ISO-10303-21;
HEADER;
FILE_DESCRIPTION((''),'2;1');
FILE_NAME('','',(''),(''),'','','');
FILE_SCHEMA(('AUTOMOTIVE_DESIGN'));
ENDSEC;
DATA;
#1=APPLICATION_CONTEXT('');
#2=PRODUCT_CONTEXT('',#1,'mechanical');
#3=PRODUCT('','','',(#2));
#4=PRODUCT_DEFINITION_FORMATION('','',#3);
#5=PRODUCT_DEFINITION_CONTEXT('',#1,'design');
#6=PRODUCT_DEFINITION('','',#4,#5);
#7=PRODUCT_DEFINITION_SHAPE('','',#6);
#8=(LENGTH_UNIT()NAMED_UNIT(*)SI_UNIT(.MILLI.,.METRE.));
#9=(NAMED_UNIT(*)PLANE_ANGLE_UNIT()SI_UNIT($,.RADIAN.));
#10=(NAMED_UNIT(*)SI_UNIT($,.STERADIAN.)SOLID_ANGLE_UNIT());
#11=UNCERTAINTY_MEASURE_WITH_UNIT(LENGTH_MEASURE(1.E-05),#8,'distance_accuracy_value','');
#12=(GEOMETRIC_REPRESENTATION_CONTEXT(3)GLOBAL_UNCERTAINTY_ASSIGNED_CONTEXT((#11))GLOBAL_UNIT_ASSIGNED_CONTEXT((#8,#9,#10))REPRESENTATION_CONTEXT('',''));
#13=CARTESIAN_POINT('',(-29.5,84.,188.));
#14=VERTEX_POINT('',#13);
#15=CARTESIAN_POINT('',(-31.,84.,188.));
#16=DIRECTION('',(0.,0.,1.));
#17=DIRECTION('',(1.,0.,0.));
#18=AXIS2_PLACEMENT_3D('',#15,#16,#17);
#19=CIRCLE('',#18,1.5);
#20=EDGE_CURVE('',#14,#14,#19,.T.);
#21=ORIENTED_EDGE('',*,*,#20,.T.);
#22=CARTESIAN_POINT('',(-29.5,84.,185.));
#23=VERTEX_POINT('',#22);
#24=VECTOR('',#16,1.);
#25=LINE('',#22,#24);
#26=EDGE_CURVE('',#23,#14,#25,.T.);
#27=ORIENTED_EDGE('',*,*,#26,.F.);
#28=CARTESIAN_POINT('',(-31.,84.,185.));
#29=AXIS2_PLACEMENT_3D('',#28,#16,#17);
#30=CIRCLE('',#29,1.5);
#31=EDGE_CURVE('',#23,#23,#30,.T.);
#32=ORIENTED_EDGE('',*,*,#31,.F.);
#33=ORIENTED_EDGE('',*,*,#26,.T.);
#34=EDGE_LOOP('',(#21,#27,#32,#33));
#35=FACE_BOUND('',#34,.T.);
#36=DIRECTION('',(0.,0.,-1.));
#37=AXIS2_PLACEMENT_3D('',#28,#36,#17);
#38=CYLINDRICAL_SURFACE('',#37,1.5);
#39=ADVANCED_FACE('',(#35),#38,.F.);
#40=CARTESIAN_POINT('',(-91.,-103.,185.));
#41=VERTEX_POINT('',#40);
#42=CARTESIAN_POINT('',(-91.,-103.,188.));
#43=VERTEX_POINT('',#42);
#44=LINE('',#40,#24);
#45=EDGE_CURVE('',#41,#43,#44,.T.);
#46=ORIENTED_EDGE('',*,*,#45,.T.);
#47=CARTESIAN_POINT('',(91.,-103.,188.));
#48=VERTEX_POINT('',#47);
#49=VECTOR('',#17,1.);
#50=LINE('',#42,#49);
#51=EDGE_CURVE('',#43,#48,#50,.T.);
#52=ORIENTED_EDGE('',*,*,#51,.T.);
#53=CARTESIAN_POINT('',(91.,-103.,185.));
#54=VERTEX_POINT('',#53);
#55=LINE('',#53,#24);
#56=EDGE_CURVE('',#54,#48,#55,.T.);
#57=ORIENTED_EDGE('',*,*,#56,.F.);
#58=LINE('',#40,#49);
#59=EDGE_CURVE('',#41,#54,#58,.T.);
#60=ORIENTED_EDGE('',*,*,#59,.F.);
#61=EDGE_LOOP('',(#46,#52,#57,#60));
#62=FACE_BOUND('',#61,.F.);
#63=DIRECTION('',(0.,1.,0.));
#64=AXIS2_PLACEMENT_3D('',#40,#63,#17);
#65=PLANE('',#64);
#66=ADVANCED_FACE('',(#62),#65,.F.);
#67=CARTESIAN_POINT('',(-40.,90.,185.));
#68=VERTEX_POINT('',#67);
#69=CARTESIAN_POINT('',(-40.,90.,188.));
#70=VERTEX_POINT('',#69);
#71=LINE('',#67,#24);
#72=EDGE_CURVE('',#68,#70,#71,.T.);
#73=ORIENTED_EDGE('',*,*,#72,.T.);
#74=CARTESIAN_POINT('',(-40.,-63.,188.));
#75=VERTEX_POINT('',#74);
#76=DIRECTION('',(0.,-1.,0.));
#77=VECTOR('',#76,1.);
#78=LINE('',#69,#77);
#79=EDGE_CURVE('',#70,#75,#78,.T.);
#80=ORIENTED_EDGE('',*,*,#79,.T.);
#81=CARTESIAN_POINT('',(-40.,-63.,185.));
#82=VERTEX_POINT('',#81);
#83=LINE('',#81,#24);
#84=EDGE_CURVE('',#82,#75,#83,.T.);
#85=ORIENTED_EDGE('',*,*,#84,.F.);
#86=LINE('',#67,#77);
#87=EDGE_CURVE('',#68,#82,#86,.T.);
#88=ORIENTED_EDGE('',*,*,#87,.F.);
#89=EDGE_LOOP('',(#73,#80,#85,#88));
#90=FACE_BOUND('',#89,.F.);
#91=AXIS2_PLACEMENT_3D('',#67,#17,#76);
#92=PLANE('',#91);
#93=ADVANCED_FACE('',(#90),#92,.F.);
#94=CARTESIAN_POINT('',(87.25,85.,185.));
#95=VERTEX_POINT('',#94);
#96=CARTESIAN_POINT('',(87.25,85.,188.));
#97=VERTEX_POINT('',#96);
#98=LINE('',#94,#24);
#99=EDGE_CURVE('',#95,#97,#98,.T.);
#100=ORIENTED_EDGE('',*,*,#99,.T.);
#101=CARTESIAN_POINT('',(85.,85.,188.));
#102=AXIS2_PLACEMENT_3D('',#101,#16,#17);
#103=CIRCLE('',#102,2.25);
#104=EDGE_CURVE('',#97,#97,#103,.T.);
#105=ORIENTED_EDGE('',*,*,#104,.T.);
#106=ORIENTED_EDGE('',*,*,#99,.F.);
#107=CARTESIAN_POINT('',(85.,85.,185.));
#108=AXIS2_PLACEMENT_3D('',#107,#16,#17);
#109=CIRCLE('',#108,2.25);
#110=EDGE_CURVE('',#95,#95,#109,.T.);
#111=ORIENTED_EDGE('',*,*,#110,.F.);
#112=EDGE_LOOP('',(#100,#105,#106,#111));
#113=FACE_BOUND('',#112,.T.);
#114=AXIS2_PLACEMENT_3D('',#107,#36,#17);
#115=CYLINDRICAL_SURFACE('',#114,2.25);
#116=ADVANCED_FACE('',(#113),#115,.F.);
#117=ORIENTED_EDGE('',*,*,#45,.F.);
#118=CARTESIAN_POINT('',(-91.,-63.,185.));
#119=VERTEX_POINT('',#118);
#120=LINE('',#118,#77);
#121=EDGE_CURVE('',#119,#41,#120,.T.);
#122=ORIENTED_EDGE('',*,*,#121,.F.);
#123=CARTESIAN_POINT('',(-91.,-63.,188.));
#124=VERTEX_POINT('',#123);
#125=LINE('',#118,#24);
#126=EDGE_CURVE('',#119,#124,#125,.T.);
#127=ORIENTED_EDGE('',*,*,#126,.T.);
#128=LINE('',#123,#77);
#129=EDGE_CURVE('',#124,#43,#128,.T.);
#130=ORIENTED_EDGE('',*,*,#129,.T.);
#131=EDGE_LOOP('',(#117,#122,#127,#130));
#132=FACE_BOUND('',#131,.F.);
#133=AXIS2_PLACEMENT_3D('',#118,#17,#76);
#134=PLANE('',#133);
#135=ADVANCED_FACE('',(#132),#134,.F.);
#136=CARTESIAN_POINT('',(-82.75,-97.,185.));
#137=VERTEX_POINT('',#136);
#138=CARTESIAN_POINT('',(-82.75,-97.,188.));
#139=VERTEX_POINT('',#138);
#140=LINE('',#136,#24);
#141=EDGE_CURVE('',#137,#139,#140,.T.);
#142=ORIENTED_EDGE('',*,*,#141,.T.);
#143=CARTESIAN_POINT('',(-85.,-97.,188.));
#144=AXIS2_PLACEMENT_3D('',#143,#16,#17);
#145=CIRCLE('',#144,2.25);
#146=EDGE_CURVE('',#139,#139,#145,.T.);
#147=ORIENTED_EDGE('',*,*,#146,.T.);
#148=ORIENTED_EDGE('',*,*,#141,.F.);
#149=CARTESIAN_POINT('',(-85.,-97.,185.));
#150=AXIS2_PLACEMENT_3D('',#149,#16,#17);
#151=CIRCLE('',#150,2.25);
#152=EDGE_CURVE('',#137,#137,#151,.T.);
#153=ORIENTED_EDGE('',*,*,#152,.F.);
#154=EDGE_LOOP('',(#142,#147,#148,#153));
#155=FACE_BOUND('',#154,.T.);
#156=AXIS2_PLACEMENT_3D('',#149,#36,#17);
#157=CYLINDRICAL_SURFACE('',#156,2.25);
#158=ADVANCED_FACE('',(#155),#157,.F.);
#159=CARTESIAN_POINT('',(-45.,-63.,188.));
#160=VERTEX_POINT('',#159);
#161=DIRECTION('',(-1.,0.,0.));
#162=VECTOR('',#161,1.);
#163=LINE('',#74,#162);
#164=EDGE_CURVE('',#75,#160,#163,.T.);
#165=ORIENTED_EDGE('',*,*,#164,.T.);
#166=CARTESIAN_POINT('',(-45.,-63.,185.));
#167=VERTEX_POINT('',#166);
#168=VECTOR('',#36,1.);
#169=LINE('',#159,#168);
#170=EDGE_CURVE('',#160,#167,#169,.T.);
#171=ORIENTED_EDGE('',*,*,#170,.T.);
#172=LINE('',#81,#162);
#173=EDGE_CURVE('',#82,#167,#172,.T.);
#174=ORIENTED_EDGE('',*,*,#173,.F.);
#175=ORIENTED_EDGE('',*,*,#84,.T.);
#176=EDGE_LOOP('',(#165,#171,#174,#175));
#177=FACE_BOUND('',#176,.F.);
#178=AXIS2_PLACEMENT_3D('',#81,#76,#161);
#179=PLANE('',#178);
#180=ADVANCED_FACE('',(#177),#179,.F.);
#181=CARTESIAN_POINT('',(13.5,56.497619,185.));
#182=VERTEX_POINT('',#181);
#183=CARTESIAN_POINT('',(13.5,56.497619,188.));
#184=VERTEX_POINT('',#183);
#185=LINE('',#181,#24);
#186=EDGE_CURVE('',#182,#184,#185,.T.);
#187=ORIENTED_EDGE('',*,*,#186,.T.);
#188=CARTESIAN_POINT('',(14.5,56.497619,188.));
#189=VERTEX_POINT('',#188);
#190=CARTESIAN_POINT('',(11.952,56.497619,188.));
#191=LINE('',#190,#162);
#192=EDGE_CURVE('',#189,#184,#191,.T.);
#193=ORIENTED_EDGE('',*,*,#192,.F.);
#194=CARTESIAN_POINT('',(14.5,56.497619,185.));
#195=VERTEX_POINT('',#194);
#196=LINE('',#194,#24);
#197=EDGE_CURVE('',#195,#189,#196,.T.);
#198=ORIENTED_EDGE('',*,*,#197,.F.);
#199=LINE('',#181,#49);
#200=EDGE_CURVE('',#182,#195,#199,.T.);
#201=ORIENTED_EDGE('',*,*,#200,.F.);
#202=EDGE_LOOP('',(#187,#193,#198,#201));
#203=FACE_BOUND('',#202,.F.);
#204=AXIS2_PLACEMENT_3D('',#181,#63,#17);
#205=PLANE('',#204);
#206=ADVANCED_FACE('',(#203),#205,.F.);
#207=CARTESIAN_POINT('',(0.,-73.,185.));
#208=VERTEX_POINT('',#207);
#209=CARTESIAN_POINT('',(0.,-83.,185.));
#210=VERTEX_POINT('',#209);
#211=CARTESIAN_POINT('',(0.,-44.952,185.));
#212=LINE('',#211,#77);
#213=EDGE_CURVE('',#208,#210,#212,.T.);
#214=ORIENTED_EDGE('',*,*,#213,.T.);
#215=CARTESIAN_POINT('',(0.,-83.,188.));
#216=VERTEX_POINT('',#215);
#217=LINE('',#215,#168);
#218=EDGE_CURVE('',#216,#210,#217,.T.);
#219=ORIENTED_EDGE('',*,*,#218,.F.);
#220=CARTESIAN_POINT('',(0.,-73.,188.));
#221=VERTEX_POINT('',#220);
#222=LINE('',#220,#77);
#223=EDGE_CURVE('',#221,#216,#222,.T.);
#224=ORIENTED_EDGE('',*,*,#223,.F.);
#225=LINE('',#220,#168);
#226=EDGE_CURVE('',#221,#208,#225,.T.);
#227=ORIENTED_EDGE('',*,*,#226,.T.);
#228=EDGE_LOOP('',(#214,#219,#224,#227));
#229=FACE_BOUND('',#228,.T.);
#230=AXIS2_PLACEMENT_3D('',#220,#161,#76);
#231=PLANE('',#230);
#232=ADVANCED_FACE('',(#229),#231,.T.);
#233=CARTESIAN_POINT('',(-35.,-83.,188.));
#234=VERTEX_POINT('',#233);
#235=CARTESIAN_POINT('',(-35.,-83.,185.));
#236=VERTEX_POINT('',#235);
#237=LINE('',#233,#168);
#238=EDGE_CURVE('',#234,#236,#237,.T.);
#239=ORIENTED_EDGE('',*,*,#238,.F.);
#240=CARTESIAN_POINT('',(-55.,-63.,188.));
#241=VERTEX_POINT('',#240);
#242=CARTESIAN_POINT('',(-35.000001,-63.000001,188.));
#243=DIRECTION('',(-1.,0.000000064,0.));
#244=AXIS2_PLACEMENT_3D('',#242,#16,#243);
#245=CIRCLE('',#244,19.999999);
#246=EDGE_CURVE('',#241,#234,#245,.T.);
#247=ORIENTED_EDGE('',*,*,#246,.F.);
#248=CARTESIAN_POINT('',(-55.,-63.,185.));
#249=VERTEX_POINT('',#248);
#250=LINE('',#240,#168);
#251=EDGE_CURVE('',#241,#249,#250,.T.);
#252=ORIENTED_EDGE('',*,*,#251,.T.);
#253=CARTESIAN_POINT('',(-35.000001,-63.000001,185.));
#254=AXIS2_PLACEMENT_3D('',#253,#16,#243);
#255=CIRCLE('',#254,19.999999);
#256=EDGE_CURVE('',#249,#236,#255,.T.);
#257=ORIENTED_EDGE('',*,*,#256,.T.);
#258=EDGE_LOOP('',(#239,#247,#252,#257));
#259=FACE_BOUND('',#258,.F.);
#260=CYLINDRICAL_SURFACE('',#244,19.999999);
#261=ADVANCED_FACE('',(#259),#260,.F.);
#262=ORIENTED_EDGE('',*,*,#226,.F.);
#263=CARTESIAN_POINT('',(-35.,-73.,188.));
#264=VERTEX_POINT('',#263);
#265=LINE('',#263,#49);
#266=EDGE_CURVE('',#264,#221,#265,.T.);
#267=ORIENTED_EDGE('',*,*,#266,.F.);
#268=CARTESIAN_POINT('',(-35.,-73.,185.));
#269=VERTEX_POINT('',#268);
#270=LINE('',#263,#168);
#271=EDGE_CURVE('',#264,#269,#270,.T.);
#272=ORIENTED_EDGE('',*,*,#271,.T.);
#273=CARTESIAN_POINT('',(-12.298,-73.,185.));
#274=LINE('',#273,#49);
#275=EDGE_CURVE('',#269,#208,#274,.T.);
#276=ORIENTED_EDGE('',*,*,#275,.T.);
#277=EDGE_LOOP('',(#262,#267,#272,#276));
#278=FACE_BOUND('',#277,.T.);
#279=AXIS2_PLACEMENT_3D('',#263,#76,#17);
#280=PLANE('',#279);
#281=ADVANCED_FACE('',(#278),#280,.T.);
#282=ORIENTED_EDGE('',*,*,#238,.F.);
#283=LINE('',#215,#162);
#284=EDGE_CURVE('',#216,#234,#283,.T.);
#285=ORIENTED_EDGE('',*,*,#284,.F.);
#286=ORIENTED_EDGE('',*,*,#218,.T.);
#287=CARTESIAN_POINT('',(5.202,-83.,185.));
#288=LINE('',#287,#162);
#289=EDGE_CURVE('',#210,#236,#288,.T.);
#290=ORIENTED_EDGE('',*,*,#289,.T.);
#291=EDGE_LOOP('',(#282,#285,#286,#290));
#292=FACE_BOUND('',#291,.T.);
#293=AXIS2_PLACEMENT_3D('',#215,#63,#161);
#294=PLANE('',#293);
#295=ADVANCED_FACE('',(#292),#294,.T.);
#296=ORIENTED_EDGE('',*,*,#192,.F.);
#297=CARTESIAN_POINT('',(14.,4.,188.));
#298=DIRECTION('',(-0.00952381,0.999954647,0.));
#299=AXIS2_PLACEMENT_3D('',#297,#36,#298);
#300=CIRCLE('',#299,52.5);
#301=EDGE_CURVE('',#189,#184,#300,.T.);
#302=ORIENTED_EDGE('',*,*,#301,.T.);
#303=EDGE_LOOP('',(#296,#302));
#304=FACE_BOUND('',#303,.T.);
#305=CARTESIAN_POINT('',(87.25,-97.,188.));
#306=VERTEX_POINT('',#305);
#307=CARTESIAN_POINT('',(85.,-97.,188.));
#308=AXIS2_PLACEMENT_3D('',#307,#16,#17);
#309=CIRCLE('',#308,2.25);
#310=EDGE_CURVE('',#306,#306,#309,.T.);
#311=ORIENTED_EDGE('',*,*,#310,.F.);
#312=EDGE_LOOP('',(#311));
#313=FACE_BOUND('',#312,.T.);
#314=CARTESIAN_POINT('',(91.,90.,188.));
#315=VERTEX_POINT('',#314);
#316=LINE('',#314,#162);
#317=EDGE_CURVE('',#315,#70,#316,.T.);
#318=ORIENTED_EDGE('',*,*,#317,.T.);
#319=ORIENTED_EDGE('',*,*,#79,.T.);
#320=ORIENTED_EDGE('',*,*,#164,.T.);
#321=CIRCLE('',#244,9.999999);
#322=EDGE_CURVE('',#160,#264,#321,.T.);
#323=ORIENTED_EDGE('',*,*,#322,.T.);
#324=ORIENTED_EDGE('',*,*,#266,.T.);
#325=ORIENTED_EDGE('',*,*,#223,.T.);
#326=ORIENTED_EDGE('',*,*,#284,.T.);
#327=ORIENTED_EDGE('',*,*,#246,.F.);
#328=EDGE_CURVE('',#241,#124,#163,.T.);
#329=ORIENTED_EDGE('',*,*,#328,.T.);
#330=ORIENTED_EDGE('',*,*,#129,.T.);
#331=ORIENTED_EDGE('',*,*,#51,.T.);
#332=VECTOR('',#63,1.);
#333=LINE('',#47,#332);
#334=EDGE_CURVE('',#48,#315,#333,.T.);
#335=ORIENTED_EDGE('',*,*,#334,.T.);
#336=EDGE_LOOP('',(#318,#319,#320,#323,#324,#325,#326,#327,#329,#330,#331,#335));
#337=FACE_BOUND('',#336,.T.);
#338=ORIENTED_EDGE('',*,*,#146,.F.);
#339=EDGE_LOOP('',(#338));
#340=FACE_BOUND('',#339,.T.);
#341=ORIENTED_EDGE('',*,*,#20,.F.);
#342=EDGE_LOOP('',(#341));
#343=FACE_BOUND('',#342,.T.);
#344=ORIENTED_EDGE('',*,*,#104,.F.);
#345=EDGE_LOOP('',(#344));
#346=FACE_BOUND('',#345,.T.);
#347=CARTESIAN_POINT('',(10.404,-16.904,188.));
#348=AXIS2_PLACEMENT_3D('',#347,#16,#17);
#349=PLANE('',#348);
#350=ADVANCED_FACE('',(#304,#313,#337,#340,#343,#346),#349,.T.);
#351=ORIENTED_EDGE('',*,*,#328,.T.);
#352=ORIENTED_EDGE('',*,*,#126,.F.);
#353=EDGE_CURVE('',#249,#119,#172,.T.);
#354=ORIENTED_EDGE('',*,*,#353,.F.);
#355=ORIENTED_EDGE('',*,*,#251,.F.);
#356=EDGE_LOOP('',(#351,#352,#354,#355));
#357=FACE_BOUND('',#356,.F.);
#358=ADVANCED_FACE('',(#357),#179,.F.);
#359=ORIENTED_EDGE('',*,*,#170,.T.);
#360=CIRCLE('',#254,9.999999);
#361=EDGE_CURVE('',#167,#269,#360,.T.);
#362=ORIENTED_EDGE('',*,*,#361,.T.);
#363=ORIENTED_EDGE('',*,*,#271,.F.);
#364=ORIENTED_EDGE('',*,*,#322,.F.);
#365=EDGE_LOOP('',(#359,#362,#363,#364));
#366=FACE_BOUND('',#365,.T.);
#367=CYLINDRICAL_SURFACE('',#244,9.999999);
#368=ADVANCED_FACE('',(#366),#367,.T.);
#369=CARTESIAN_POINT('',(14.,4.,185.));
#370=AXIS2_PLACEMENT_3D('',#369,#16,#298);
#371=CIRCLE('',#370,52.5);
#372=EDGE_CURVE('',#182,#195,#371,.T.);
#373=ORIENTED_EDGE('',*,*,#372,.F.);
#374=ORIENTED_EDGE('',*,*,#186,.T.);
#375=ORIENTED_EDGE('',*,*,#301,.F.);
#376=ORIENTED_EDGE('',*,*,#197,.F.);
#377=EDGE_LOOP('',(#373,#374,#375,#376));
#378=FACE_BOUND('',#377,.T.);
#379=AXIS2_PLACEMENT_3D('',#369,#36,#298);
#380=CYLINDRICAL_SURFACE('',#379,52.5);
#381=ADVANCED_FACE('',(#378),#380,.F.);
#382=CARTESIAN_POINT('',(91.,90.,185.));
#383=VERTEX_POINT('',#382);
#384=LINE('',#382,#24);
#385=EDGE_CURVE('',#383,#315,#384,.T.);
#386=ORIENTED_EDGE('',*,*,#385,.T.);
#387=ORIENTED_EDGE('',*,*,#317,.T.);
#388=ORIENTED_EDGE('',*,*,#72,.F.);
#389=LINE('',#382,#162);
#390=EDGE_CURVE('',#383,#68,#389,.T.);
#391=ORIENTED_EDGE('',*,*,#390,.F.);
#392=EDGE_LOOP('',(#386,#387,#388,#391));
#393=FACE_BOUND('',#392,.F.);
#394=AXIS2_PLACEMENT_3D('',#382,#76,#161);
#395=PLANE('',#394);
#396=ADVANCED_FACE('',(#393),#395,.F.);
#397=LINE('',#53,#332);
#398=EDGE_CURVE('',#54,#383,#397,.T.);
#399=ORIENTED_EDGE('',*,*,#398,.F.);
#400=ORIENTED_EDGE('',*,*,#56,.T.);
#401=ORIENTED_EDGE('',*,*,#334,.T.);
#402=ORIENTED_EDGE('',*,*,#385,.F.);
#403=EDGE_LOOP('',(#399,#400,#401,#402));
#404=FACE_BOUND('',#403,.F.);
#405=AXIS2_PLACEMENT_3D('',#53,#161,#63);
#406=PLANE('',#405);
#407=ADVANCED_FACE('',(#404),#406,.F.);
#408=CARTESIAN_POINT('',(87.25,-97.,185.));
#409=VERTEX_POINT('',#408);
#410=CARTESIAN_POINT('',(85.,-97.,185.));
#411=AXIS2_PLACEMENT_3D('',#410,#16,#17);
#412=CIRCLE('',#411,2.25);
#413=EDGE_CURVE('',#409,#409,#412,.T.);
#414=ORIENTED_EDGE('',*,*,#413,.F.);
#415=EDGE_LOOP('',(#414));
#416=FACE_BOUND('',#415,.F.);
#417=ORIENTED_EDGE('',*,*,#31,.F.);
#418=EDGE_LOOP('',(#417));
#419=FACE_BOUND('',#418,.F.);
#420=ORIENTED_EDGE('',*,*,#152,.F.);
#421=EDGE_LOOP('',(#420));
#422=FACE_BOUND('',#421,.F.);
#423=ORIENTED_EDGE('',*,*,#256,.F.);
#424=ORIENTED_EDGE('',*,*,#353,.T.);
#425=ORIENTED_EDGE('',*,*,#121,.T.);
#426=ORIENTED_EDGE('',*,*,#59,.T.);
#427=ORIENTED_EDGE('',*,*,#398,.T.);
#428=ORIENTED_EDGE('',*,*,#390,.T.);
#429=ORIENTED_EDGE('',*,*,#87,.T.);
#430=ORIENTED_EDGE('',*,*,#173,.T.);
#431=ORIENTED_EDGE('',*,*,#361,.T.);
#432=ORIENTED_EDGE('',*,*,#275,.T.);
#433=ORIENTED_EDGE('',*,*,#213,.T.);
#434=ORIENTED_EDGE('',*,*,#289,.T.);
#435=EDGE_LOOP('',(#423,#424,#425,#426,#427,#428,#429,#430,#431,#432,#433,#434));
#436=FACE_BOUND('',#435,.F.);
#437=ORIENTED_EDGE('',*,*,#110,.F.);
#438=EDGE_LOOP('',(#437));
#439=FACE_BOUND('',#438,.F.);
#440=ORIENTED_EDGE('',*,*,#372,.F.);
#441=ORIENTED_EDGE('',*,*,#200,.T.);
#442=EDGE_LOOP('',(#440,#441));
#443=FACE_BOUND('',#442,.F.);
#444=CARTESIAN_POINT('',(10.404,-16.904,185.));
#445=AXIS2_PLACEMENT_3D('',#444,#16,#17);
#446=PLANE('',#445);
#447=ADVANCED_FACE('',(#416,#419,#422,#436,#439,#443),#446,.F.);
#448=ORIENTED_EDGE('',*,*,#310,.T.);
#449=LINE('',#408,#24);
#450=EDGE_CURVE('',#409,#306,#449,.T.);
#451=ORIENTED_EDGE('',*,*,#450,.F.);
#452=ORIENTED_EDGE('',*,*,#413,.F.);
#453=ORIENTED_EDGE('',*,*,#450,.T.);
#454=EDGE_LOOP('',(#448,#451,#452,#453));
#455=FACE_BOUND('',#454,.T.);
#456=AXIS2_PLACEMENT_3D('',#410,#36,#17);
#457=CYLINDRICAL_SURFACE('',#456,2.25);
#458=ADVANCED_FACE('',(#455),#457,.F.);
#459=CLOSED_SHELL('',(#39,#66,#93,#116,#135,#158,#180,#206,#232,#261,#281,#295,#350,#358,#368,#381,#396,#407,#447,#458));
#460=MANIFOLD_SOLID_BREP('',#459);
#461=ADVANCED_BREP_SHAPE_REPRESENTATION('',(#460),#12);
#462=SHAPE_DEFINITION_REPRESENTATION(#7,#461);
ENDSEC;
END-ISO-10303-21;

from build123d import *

# Parameters (mm, degrees)
SKETCH259_R          = 2.25
SKETCH259_R_2        = 1.5
PAD029_DEPTH         = 3
POCKET019_DEPTH      = 0.001
POCKET019_DEPTH_BACK = 3.001
POCKET020_DEPTH      = 5


with BuildPart() as part:
    # Sketch259 → Pad029 (new body)
    with BuildSketch(Plane.XY):
        Polygon((91, 90), (-40, 90), (-40, -63), (-91, -63), (-91, -103), (91, -103), align=None)
        with Locations((85, 85)):
            Circle(SKETCH259_R, mode=Mode.SUBTRACT)
        with Locations((85, -97)):
            Circle(SKETCH259_R, mode=Mode.SUBTRACT)
        with Locations((-85, -97)):
            Circle(SKETCH259_R, mode=Mode.SUBTRACT)
        with Locations((-31, 84)):
            Circle(SKETCH259_R_2, mode=Mode.SUBTRACT)
    extrude(amount=PAD029_DEPTH)

    # Sketch258 → Pocket019 (cut, two sides)
    with BuildSketch(Plane.XY) as pocket019_sk:
        with BuildLine():
            ThreePointArc((13.5, 56.497619), (14, -48.5), (14.5, 56.497619))
            Line((13.5, 56.497619), (14.5, 56.497619))
        make_face()
    extrude(amount=-POCKET019_DEPTH, mode=Mode.SUBTRACT)
    extrude(pocket019_sk.sketch, amount=POCKET019_DEPTH_BACK, mode=Mode.SUBTRACT)

    # Sketch260 → Pocket020 (cut)
    with BuildSketch(Plane.XY.offset(3)):
        with BuildLine():
            ThreePointArc((-55, -63), (-49.142136, -77.142136), (-35, -83))
            Line((0, -83), (-35, -83))
            Line((0, -73), (0, -83))
            Line((-35, -73), (0, -73))
            ThreePointArc((-45, -63), (-42.071068, -70.071068), (-35, -73))
            Line((-55, -63), (-45, -63))
        make_face()
    extrude(amount=-POCKET020_DEPTH, mode=Mode.SUBTRACT)


with BuildPart() as part_1:
    # Body013 placement: moved
    add(part.part.moved(Location((0, 0, 185))))


solid = part_1.part
